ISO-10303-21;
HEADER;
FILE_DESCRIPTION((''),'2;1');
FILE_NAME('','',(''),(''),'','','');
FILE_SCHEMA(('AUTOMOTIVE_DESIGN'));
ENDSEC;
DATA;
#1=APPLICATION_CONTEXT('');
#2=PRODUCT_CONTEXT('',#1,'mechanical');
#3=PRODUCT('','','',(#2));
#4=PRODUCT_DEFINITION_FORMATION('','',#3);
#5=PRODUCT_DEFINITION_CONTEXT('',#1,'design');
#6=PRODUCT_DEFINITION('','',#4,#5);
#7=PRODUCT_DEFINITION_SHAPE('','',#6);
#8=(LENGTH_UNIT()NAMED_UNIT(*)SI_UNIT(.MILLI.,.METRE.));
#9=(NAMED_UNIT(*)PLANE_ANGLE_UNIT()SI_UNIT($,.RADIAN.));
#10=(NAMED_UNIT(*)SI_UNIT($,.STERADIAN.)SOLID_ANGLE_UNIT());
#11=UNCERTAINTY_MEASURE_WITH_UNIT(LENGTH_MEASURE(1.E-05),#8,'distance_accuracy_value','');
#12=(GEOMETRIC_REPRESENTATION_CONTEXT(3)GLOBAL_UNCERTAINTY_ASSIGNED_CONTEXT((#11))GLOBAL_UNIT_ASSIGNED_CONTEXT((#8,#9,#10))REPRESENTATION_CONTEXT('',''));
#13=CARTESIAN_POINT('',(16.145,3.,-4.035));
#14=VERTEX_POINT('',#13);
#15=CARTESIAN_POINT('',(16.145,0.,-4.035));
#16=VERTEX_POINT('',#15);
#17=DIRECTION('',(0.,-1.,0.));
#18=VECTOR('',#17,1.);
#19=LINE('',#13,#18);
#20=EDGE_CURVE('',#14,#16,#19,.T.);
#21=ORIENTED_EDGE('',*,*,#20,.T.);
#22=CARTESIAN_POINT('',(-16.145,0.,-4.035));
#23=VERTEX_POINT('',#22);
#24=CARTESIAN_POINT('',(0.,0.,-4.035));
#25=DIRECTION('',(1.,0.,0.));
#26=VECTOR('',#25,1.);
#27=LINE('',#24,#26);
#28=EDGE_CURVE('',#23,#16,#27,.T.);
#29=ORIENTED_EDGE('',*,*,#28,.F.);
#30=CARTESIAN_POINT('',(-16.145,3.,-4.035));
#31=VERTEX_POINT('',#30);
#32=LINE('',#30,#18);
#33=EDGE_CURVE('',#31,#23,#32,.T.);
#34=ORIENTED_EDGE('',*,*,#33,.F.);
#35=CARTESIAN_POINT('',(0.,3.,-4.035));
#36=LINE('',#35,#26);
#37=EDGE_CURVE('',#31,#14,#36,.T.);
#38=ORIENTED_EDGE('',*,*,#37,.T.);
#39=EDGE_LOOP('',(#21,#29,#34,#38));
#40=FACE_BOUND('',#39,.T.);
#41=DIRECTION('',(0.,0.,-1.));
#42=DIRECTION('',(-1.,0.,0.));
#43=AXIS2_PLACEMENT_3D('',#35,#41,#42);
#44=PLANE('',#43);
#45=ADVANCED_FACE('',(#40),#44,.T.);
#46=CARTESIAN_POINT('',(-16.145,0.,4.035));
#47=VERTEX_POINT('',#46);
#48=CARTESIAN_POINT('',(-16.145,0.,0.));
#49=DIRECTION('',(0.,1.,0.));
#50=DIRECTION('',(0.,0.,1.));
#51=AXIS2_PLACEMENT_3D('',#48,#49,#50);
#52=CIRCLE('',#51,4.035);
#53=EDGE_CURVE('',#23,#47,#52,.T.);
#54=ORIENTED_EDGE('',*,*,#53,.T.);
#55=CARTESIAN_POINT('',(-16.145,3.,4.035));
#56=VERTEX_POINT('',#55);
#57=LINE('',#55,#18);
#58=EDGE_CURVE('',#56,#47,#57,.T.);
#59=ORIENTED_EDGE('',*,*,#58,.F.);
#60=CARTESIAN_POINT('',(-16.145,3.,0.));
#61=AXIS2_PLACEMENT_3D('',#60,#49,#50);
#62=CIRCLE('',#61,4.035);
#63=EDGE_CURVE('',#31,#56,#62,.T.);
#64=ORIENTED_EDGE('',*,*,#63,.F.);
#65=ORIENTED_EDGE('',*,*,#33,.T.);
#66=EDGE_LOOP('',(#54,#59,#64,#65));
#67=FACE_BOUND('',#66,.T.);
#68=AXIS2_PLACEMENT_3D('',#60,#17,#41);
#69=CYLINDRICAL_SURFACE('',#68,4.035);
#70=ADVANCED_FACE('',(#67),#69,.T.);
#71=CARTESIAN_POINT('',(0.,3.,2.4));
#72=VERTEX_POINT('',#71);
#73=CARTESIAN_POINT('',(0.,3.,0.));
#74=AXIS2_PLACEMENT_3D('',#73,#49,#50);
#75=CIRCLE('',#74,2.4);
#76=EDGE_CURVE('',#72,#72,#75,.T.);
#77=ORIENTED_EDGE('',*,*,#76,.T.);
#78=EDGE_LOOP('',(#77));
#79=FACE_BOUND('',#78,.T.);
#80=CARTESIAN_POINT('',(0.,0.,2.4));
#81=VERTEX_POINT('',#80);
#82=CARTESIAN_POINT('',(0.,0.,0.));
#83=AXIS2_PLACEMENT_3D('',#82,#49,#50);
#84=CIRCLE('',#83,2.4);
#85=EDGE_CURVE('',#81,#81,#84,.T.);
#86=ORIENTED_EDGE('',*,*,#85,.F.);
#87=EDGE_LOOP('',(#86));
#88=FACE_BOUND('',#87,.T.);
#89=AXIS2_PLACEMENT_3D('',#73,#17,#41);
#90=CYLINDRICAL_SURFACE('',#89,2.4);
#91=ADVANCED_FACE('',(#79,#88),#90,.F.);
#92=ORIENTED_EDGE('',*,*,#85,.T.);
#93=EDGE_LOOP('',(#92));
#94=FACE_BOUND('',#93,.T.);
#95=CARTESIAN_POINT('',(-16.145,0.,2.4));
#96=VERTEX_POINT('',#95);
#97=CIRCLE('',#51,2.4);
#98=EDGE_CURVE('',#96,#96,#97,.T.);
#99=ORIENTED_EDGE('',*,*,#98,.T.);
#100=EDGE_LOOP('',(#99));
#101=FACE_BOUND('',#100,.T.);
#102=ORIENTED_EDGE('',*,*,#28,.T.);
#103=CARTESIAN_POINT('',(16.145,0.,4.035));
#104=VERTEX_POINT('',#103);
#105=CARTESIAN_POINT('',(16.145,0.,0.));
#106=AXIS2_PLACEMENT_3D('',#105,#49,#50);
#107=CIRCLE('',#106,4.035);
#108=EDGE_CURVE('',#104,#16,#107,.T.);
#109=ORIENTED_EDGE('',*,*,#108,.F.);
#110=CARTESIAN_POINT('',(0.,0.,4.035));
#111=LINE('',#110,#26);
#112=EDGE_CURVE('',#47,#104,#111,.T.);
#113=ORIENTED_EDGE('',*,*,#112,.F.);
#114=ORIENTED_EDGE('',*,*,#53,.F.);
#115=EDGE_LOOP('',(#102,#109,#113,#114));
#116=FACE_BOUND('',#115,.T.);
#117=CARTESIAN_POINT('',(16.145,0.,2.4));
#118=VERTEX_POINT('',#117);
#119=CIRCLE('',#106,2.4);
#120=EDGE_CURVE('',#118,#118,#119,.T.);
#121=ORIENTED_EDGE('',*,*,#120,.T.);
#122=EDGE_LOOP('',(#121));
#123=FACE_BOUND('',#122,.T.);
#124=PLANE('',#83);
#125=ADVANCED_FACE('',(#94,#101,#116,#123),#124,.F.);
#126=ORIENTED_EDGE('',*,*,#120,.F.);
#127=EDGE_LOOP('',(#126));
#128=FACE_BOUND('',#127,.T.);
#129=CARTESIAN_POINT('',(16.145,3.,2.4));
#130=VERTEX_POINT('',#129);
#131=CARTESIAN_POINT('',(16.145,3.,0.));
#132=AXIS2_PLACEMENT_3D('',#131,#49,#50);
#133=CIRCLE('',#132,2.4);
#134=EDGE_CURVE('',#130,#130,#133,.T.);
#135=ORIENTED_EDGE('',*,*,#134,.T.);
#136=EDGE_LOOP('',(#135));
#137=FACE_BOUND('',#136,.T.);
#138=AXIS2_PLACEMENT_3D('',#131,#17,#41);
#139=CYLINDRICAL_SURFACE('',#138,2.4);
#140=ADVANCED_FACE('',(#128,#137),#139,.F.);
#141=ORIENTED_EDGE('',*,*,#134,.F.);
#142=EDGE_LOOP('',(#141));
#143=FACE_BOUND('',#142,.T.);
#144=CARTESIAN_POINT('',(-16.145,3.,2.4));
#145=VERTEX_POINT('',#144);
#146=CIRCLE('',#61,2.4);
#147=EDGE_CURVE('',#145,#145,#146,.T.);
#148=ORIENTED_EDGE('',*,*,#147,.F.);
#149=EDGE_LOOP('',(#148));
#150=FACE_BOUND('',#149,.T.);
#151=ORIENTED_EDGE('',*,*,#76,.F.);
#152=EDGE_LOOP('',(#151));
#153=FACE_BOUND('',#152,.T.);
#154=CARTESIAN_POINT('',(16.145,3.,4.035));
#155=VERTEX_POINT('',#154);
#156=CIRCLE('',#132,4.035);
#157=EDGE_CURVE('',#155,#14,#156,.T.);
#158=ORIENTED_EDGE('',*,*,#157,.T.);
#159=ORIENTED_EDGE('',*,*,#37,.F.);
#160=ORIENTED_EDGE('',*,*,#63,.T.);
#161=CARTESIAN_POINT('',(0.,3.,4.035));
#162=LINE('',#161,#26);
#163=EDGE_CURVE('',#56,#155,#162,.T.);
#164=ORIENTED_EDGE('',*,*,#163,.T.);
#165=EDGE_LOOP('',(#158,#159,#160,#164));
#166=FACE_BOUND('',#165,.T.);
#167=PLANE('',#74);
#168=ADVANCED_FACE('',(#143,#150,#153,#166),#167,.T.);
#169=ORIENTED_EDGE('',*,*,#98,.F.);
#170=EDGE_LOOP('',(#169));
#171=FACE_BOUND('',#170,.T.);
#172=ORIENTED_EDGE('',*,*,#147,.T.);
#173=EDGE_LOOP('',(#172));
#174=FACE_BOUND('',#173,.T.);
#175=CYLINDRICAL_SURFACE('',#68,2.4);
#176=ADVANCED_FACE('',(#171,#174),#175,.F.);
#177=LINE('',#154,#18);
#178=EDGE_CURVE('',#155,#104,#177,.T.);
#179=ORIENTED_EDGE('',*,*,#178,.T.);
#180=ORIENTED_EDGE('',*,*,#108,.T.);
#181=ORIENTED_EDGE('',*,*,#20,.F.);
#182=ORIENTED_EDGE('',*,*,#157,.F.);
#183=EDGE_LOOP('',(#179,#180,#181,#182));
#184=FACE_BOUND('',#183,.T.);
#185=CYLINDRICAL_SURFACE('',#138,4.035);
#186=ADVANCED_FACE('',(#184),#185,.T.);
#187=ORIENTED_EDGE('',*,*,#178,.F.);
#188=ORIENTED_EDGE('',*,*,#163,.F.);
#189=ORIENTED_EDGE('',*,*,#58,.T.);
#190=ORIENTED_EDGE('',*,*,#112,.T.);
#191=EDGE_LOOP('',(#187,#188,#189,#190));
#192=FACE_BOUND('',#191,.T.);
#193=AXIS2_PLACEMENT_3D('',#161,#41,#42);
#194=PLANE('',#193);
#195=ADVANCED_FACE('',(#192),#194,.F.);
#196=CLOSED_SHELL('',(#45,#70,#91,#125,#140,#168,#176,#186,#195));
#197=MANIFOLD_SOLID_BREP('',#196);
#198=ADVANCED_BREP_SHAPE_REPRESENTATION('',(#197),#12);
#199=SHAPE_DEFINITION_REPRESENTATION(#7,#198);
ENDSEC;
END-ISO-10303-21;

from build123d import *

# Parameters (mm, degrees)
SKETCH1_R           = 2.4
BOSS_EXTRUDE2_DEPTH = 3


with BuildPart() as part:
    # Sketch1 → Boss-Extrude2 (new body)
    with BuildSketch(Plane(origin=(0, 0, 0), x_dir=(1, 0, 0), z_dir=(0, 1, 0))):
        with BuildLine():
            Line((16.145, 4.035), (-16.145, 4.035))
            ThreePointArc((-16.145, 4.035), (-18.99817587, 2.853175854), (-20.18, -2.2e-08))
            ThreePointArc((-20.18, -2.2e-08), (-18.998175854, -2.85317587), (-16.145, -4.035))
            Line((-16.145, -4.035), (16.145, -4.035))
            ThreePointArc((16.145, -4.035), (18.998175862, -2.853175862), (20.18, 0))
            ThreePointArc((20.18, 0), (18.998175862, 2.853175862), (16.145, 4.035))
        make_face()
        with Locations(Location((-16.145, 0, 0), (0, 0, 270))):
            Circle(SKETCH1_R, mode=Mode.SUBTRACT)
        with Locations(Location((0, 0, 0), (0, 0, 270))):
            Circle(SKETCH1_R, mode=Mode.SUBTRACT)
        with Locations(Location((16.145, 0, 0), (0, 0, 270))):
            Circle(SKETCH1_R, mode=Mode.SUBTRACT)
    extrude(amount=BOSS_EXTRUDE2_DEPTH)


solid = part.part
